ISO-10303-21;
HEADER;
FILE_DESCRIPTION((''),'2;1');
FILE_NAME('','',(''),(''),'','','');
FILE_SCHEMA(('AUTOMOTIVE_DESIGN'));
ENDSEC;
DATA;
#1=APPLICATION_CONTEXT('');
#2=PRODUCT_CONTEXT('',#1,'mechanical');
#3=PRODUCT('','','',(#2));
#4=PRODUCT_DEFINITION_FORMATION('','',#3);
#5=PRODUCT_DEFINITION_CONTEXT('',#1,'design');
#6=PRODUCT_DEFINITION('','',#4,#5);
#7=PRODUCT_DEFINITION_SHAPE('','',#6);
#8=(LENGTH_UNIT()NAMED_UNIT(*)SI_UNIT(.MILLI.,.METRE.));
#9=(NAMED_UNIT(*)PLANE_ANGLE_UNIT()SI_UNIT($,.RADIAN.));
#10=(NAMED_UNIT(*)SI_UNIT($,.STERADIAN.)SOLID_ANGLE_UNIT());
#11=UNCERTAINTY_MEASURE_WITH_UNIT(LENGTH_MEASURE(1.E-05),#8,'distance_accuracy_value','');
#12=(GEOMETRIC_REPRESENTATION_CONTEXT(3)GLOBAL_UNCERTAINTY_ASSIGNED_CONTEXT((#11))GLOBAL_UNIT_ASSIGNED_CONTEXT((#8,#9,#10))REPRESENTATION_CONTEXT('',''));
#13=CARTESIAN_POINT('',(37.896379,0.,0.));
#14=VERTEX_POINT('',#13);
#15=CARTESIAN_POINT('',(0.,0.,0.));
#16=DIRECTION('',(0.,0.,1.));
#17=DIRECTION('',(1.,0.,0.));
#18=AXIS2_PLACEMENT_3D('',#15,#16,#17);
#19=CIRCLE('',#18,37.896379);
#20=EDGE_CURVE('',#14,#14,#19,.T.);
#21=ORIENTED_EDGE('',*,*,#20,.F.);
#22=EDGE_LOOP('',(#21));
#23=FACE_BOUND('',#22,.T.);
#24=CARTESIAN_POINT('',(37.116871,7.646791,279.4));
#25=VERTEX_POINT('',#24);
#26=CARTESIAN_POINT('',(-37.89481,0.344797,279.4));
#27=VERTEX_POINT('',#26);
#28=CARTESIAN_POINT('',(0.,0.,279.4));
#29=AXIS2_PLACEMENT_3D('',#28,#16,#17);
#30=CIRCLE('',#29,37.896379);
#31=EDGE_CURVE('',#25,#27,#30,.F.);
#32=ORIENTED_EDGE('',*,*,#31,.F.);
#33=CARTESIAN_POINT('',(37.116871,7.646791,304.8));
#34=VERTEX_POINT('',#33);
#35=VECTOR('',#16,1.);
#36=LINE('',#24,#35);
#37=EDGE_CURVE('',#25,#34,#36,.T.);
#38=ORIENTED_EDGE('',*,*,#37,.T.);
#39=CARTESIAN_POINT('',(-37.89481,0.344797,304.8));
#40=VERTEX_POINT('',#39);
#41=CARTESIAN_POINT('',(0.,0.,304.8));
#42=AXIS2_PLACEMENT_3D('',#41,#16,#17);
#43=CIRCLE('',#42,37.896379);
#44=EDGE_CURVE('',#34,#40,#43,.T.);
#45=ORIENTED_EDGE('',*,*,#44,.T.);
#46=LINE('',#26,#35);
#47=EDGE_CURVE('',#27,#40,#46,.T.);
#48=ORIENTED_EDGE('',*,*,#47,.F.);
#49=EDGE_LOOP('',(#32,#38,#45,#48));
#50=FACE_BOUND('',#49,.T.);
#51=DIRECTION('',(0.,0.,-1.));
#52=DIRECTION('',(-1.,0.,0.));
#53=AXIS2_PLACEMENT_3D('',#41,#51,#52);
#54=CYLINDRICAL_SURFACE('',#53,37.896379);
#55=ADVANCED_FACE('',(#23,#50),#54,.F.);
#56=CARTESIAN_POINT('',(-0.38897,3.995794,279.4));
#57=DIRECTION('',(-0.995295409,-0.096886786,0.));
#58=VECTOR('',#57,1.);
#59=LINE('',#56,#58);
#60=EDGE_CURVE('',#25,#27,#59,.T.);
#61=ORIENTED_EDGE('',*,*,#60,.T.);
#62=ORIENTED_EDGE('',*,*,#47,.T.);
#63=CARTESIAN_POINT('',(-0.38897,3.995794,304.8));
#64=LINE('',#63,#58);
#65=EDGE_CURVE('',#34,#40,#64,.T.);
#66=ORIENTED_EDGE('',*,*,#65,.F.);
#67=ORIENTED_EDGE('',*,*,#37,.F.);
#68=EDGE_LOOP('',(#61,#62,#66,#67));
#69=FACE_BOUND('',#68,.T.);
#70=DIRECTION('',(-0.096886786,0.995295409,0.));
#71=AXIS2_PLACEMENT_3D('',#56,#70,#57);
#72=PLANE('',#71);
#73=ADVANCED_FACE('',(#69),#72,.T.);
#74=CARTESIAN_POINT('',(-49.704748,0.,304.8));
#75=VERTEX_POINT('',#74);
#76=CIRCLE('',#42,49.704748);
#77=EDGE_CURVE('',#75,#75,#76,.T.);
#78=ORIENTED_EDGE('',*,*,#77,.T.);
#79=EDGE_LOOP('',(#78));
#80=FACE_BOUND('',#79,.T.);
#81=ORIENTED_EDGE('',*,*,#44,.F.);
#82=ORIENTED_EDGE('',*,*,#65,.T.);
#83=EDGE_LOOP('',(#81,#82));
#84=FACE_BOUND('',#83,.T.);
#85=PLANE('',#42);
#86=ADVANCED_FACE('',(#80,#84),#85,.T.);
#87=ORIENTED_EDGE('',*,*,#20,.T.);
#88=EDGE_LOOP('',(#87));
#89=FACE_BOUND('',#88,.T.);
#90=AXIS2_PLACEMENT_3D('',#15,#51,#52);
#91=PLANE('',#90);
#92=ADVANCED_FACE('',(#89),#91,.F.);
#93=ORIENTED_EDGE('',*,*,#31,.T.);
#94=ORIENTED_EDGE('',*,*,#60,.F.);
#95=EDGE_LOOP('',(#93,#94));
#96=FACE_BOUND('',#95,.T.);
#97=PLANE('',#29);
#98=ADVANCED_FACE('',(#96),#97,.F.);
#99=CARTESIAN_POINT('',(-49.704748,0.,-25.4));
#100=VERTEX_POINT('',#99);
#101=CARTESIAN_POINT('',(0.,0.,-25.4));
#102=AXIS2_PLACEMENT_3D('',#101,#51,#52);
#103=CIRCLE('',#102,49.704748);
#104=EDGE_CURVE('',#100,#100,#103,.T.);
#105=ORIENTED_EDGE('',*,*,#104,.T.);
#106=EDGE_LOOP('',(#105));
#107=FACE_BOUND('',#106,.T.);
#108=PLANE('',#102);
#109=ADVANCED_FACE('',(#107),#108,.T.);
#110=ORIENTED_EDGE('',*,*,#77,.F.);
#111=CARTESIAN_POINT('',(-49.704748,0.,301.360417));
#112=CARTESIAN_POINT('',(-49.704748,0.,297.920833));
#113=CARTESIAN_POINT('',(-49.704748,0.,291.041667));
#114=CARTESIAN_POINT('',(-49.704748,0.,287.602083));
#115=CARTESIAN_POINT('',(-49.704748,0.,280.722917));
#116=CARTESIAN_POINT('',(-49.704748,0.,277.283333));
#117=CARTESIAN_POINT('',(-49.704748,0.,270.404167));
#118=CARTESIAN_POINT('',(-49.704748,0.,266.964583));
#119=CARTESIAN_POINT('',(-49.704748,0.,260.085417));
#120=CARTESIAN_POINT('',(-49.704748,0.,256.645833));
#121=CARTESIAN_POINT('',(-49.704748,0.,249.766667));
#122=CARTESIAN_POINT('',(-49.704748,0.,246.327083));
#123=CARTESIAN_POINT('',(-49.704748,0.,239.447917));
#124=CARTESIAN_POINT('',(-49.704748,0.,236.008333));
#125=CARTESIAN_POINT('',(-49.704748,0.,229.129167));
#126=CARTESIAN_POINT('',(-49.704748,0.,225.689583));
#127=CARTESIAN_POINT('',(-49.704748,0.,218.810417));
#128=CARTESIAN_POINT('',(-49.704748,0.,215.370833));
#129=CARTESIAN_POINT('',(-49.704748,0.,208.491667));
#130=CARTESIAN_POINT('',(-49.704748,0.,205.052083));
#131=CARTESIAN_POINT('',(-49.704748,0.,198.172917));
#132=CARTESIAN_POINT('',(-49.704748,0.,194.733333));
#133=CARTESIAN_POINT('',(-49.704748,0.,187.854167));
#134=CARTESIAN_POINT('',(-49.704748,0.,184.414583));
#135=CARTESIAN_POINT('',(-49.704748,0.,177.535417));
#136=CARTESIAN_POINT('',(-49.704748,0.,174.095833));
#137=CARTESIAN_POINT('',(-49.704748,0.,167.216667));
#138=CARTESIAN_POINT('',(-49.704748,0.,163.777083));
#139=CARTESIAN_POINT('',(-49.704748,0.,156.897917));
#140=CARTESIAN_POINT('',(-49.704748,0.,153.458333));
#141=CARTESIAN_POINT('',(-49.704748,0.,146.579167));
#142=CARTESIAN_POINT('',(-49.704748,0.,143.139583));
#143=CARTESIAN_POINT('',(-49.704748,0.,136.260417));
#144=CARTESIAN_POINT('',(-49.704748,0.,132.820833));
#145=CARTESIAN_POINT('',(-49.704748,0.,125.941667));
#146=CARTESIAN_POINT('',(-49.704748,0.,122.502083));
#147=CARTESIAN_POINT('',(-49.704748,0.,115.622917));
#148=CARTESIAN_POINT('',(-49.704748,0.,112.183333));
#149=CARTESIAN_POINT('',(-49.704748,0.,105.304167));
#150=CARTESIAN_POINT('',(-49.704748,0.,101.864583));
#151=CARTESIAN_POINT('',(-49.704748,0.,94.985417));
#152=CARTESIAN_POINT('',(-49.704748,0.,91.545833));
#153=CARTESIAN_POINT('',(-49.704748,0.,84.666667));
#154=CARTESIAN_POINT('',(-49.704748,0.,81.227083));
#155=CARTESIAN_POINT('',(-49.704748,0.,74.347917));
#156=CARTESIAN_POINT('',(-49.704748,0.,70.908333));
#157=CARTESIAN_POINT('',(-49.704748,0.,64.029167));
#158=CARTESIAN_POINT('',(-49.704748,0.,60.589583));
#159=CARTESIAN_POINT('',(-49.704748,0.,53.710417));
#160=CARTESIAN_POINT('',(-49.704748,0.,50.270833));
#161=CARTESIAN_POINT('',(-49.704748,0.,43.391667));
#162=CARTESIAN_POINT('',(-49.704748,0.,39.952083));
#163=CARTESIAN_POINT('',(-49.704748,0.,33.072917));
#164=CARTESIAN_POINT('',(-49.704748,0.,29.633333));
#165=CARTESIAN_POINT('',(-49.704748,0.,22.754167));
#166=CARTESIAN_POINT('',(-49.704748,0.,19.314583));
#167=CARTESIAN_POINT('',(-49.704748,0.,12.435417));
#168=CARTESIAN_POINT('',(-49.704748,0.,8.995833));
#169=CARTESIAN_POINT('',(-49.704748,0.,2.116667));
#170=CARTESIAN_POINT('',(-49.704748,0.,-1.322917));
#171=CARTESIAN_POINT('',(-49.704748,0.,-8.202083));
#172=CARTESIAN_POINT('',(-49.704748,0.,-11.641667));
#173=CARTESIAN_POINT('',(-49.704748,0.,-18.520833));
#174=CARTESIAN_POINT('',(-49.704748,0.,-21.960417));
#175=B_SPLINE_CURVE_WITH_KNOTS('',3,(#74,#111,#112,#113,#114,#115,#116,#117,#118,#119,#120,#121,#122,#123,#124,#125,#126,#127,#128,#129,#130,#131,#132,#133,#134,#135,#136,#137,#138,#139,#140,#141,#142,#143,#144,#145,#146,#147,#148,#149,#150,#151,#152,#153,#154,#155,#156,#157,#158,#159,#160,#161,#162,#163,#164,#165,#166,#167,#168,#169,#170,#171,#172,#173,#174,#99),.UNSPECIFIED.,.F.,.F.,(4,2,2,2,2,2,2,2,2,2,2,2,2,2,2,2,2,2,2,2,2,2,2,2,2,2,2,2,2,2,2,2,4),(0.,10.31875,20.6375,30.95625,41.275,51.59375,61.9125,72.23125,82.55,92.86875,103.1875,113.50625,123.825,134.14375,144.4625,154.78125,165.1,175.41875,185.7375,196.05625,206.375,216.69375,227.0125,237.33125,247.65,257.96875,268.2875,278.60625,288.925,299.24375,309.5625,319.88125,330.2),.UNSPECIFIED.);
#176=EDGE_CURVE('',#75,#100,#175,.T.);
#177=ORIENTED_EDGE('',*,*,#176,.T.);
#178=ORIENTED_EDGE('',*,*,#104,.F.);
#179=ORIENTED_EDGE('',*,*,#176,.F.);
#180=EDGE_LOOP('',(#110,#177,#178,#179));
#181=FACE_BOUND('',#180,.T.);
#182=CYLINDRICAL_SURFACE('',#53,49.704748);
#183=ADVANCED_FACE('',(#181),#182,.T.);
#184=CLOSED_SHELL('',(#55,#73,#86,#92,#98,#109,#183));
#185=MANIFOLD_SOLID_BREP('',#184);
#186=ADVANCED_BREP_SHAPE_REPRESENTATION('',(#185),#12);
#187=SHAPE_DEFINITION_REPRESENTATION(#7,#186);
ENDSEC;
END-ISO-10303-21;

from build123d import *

# Parameters (mm, degrees)
SKETCH1_R           = 49.704747918
SKETCH1_R_2         = 37.896378772
BOSS_EXTRUDE1_DEPTH = 304.8
BOSS_EXTRUDE2_START = 25.4
SKETCH2_R           = 49.704747918
BOSS_EXTRUDE2_DEPTH = 25.4
BOSS_EXTRUDE3_START = -25.4
BOSS_EXTRUDE3_DEPTH = 25.4


with BuildPart() as part:
    # Sketch1 → Boss-Extrude1 (new body)
    with BuildSketch(Plane.XY):
        with Locations(Location((0, 0, 0), (0, 0, 180))):
            Circle(SKETCH1_R)
        with Locations(Location((0, 0, 0), (0, 0, 180))):
            Circle(SKETCH1_R_2, mode=Mode.SUBTRACT)
    extrude(amount=BOSS_EXTRUDE1_DEPTH)

    # Sketch2 → Boss-Extrude2 (add)
    with BuildSketch(Plane(origin=(0, 0, 0), x_dir=(-1, 0, 0), z_dir=(0, 0, -1)).offset(BOSS_EXTRUDE2_START)):
        Circle(SKETCH2_R)
    extrude(amount=-BOSS_EXTRUDE2_DEPTH)

    # Sketch3 → Boss-Extrude3 (add)
    with BuildSketch(Plane.XY.offset(304.8).offset(BOSS_EXTRUDE3_START)):
        with BuildLine():
            ThreePointArc((37.896378772, 0), (37.700998174, 3.843209698), (37.116871006, 7.64679088))
            Line((37.116871006, 7.64679088), (-37.894810184, 0.344797316))
            ThreePointArc((-37.894810184, 0.344797316), (-0.172400442, -37.895986623), (37.896378772, 0))
        make_face()
    extrude(amount=BOSS_EXTRUDE3_DEPTH)


solid = part.part
